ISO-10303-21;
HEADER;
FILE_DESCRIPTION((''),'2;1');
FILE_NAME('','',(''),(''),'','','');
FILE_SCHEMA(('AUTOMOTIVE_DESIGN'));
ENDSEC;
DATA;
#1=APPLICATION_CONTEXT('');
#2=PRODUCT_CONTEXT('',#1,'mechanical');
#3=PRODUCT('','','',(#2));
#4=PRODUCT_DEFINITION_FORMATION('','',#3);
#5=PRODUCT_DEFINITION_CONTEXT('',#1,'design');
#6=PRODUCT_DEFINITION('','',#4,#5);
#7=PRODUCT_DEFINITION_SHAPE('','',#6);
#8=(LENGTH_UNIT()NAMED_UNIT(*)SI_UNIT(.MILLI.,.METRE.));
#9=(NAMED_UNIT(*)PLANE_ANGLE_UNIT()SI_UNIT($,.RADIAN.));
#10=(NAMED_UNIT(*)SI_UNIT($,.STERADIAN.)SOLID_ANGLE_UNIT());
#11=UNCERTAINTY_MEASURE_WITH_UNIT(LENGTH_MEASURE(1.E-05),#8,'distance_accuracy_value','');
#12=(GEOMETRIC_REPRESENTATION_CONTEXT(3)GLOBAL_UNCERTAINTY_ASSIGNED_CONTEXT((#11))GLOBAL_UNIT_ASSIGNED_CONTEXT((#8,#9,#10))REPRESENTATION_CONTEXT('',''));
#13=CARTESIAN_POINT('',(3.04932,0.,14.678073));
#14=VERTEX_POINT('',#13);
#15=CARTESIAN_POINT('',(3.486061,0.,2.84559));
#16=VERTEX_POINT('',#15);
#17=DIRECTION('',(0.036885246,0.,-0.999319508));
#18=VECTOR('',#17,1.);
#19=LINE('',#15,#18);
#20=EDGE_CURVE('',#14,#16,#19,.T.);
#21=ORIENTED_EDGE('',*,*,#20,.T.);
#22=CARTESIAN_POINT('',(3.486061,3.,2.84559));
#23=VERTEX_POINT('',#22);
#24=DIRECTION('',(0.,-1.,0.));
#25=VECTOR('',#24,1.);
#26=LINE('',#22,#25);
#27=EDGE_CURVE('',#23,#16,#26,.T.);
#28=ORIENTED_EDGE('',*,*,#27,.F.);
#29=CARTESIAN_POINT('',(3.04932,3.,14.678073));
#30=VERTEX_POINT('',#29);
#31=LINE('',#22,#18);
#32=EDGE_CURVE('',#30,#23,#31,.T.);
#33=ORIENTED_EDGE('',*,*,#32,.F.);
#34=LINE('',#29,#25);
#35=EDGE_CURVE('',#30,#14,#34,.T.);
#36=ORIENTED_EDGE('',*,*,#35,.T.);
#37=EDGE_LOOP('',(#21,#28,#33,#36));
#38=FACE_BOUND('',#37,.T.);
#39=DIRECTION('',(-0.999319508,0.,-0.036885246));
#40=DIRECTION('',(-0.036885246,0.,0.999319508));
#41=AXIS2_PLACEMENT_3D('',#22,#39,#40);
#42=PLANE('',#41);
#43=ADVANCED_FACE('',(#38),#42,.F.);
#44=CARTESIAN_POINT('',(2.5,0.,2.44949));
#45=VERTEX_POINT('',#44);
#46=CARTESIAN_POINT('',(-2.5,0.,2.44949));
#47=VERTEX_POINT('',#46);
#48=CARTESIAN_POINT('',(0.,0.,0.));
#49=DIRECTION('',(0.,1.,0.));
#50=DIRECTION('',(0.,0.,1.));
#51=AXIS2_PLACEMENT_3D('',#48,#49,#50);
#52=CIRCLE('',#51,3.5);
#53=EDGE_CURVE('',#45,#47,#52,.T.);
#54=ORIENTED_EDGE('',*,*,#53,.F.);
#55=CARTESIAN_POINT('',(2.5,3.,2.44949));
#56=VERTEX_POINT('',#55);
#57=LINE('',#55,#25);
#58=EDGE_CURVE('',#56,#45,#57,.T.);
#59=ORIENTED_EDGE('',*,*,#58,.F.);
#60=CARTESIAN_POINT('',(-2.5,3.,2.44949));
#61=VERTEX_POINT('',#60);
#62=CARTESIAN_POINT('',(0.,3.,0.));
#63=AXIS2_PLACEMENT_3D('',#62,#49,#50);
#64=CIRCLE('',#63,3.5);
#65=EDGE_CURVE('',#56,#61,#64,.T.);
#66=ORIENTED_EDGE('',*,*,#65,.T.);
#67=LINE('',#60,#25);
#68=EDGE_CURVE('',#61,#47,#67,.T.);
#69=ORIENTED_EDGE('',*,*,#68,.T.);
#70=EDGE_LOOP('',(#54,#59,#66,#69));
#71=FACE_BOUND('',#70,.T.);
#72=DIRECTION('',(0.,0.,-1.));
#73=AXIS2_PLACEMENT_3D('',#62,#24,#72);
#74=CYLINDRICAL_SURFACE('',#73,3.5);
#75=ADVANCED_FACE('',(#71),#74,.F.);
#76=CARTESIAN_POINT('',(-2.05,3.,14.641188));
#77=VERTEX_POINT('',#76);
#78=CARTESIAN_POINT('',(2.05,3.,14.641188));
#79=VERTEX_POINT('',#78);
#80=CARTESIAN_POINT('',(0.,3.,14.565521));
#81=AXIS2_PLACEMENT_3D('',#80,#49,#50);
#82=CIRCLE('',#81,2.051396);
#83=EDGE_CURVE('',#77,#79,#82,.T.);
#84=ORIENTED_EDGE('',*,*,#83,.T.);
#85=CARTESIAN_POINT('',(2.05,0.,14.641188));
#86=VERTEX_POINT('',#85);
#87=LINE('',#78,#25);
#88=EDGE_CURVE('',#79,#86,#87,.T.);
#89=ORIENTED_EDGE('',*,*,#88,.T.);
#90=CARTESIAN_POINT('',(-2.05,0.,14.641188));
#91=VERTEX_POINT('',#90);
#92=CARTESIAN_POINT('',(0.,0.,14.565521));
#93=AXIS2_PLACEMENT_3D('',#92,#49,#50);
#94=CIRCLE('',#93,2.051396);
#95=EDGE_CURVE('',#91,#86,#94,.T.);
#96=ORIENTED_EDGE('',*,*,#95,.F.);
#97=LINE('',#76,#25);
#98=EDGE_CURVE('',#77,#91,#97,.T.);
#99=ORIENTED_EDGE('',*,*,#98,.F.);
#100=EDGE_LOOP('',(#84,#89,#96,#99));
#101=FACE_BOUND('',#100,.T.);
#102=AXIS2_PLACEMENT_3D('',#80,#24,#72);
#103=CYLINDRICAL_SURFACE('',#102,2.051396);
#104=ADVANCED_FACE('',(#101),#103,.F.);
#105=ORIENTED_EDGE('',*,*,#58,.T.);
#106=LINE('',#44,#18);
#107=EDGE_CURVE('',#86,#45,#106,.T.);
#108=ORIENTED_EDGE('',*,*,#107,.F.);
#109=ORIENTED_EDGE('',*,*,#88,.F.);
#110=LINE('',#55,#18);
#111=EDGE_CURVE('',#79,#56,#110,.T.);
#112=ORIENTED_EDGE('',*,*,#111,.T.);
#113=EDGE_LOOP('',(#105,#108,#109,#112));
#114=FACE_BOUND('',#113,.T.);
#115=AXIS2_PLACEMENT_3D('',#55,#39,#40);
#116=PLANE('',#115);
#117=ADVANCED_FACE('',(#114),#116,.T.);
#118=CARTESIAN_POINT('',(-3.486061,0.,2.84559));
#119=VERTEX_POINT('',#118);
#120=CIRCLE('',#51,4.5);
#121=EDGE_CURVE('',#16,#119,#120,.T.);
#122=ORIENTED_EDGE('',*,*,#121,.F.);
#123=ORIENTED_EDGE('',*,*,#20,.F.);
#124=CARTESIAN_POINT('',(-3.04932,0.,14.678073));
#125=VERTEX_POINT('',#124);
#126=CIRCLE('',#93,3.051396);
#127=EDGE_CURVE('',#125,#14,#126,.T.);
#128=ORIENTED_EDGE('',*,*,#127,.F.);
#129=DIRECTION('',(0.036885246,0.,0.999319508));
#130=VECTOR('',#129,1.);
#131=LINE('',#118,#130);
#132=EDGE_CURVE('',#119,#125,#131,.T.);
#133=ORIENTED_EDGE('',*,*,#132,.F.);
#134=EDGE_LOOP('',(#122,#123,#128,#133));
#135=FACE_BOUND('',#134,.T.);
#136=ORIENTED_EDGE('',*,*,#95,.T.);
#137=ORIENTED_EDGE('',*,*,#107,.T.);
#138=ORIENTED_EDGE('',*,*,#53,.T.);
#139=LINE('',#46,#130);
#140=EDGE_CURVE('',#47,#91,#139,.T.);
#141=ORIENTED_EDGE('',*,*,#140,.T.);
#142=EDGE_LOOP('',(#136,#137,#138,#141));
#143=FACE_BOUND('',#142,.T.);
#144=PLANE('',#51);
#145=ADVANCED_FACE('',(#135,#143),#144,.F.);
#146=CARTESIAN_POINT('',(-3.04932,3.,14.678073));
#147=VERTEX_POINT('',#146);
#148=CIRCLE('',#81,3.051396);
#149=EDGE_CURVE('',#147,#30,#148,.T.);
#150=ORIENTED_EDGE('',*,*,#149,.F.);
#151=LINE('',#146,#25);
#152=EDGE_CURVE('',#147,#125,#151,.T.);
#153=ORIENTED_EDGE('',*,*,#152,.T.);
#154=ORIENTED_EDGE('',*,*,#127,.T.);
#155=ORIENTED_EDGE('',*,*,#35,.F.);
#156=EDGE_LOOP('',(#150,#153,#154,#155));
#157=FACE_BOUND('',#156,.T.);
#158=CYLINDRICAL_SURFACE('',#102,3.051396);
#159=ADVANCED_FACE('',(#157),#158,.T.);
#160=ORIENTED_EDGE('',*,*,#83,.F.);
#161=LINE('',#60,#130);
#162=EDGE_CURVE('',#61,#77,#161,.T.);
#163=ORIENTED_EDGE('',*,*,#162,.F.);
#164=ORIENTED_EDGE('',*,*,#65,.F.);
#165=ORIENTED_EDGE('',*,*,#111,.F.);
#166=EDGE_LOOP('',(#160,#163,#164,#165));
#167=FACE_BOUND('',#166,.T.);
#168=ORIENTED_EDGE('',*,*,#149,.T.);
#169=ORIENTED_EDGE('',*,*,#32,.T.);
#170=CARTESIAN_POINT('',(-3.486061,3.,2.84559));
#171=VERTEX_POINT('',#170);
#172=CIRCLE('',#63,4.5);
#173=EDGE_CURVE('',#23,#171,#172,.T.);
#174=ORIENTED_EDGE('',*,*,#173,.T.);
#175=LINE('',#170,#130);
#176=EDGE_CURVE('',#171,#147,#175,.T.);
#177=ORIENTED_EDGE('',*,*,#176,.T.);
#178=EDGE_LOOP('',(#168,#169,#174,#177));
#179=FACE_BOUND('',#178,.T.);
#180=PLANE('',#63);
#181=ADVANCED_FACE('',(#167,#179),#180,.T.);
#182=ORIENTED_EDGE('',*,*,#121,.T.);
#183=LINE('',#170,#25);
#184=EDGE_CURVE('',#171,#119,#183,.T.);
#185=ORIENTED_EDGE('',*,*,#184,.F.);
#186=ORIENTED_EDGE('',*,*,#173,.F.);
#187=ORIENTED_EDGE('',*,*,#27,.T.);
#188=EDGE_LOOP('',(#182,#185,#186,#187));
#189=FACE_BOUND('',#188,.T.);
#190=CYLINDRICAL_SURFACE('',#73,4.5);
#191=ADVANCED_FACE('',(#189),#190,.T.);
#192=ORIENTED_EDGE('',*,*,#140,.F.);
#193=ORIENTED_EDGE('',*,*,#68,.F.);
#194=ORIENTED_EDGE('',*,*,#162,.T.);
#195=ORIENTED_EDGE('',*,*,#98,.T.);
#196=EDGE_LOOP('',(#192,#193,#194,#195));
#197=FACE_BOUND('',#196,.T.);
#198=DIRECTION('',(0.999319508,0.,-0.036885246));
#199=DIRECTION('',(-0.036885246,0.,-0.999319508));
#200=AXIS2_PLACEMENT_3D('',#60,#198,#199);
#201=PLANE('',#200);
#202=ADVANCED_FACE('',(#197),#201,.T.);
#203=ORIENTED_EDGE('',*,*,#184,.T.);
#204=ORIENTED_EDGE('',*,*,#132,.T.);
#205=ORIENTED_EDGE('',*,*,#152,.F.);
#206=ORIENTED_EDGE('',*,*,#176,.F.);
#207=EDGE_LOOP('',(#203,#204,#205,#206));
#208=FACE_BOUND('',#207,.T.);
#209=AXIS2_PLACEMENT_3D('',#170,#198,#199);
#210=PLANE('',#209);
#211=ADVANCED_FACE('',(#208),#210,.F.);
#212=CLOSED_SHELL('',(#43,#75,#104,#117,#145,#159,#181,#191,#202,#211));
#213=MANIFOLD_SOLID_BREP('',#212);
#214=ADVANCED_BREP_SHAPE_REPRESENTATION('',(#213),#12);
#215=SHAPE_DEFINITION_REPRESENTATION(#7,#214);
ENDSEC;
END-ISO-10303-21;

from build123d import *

# Parameters (mm, degrees)
EXTRUDE_1_DEPTH = 3


with BuildPart() as part:
    # 草圖1 → 填料-伸長1 (new body)
    with BuildSketch(Plane(origin=(0, 0, 0), x_dir=(1, 0, 0), z_dir=(0, 1, 0))):
        with BuildLine():
            Line((-3.486060765, -2.84558963), (-3.049319508, -14.678072984))
            ThreePointArc((-3.049319508, -14.678072984), (0, -17.616917452), (3.049319508, -14.678072984))
            Line((3.049319508, -14.678072984), (3.486060765, -2.84558963))
            ThreePointArc((3.486060765, -2.84558963), (0, 4.5), (-3.486060765, -2.84558963))
        make_face()
        with BuildLine():
            Line((-2.5, -2.449489743), (-2.05, -14.641187738))
            ThreePointArc((-2.05, -14.641187738), (0, -16.616917452), (2.05, -14.641187738))
            Line((2.05, -14.641187738), (2.5, -2.449489743))
            ThreePointArc((2.5, -2.449489743), (0, 3.5), (-2.5, -2.449489743))
        make_face(mode=Mode.SUBTRACT)
    extrude(amount=EXTRUDE_1_DEPTH)


solid = part.part
